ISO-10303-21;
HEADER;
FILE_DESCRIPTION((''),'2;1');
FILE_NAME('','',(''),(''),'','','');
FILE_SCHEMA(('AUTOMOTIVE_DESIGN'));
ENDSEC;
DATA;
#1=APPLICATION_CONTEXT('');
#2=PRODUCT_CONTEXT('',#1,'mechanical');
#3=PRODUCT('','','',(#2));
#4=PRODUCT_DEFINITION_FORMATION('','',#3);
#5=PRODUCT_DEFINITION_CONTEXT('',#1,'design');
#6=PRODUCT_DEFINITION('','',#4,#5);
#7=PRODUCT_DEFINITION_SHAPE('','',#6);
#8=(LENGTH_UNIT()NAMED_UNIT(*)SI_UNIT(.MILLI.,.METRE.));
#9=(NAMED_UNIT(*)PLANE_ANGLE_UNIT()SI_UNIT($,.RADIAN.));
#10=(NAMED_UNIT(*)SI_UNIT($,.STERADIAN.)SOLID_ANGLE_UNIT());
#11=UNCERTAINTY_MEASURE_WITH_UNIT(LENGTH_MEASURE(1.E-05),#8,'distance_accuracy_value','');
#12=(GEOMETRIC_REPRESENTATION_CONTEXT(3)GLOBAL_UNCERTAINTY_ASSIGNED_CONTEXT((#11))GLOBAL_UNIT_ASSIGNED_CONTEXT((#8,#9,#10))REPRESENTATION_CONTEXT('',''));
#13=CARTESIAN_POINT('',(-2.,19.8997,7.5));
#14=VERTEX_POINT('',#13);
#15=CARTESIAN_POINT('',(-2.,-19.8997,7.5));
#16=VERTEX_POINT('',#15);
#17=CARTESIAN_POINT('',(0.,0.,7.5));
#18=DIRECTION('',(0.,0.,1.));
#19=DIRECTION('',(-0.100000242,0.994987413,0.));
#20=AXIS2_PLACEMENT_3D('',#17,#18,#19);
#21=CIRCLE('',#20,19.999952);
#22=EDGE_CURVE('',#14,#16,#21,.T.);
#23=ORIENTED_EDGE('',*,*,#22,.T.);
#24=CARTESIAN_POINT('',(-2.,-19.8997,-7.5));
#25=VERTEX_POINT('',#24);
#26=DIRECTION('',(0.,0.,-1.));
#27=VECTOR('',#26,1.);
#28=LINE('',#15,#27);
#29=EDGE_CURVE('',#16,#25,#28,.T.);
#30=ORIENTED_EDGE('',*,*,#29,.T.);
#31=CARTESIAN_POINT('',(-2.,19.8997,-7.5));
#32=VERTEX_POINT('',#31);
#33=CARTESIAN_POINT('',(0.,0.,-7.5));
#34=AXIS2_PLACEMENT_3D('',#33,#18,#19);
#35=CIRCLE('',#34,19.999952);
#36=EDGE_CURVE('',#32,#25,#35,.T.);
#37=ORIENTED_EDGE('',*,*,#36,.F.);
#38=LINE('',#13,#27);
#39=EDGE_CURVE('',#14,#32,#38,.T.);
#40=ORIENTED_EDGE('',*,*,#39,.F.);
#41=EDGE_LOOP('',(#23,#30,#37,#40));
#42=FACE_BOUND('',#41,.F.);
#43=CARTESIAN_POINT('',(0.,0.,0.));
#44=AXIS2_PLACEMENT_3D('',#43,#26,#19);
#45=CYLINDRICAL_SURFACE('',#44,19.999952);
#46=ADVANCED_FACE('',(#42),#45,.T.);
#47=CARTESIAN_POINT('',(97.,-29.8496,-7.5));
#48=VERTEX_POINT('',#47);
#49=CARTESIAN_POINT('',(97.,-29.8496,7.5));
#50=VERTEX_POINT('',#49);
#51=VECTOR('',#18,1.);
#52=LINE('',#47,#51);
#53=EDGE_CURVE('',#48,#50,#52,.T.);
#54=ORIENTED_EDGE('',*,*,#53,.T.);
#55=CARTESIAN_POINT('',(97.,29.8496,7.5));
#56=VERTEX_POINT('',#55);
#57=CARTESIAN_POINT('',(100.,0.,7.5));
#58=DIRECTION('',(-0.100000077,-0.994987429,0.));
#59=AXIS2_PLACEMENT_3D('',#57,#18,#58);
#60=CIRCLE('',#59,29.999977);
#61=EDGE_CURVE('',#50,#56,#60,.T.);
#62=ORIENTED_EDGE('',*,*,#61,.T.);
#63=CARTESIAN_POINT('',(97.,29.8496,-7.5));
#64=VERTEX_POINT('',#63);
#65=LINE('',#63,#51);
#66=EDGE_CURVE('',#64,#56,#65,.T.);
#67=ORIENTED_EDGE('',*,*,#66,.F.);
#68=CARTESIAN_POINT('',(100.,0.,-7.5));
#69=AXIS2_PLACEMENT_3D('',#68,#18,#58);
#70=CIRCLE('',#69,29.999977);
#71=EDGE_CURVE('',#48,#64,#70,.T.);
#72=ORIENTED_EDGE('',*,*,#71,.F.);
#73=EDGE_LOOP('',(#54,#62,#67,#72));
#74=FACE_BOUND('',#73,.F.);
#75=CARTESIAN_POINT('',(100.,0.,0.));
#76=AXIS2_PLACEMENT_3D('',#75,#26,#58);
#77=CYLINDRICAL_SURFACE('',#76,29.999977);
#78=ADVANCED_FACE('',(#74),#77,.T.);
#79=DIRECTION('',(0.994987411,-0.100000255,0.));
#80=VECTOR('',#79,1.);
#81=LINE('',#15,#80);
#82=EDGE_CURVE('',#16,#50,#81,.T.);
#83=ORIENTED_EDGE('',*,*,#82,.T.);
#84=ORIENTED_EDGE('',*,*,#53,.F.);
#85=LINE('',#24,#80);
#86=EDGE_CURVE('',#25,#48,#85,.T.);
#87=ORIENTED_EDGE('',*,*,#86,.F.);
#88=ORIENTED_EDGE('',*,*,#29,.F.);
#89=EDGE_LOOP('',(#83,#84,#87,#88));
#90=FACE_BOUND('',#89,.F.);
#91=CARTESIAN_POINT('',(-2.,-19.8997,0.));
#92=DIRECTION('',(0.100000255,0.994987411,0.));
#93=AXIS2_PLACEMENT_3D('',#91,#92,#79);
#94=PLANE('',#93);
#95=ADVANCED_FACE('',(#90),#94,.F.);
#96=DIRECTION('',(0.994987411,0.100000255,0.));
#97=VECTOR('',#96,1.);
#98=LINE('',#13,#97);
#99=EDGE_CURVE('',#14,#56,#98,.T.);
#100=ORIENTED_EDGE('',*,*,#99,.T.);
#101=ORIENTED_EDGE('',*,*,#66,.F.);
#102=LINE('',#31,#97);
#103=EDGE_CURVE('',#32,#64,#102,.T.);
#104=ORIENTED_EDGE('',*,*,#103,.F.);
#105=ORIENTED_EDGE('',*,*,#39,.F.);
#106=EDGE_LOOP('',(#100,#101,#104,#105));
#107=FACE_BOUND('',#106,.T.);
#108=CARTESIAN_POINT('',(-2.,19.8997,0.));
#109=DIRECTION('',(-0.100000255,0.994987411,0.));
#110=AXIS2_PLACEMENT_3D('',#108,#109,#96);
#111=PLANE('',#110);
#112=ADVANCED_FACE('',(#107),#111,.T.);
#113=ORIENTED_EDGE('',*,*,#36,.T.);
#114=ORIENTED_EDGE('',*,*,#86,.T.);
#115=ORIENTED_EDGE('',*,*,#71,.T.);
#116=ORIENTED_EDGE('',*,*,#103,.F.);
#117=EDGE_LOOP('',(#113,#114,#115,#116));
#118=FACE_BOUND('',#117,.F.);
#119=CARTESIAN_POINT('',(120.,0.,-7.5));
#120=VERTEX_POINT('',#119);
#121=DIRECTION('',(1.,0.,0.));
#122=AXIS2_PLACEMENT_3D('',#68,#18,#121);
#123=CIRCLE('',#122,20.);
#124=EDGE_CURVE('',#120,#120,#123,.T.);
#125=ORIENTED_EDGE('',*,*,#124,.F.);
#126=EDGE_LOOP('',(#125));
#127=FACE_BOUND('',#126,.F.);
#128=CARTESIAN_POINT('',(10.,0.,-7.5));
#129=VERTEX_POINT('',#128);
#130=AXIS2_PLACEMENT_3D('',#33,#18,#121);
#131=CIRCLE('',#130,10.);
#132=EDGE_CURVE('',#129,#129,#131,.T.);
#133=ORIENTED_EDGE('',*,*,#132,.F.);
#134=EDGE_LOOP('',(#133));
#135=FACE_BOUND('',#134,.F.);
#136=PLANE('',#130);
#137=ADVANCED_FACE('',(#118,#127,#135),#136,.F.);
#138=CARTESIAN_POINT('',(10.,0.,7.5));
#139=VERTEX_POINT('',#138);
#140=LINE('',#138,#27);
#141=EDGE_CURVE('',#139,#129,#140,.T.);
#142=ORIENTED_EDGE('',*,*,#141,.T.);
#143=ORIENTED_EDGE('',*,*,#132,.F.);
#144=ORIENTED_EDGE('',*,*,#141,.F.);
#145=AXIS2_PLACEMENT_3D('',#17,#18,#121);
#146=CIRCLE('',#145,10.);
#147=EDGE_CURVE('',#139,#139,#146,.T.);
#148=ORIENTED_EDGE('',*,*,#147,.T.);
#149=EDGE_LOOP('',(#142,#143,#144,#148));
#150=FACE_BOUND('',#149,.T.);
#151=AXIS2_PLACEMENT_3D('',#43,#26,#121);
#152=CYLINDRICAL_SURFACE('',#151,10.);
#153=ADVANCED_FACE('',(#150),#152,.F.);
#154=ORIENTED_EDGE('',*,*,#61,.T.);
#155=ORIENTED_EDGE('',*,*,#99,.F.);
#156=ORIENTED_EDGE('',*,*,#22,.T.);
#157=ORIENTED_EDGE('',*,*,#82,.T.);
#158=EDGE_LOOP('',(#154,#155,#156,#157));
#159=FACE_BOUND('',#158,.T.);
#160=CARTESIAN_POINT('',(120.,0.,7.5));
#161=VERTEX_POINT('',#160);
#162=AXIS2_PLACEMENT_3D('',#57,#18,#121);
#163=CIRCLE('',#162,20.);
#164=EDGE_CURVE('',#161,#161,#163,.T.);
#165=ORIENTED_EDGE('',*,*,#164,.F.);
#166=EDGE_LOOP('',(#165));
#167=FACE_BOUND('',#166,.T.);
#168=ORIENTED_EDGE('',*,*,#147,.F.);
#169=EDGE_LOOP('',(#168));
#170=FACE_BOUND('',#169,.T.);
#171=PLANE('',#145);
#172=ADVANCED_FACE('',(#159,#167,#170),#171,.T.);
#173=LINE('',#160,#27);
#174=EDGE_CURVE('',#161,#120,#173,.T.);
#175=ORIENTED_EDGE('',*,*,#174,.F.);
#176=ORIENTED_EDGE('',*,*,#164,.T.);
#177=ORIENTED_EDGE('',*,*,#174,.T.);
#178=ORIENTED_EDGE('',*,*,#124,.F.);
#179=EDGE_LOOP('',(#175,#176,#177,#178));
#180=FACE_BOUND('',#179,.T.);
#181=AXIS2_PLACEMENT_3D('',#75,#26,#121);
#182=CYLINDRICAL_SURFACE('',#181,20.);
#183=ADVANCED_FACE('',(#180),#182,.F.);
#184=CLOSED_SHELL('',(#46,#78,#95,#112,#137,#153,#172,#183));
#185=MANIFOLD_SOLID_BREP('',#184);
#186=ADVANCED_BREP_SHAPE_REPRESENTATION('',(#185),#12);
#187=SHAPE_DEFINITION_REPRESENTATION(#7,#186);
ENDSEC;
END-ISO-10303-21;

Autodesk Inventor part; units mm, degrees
ref_plane "YZ Plane" through (0, 0, 0) normal (1, 0, 0) x (0, 1, 0)
ref_plane "XZ Plane" through (0, 0, 0) normal (0, 1, 0) x (-1, 0, 0)
ref_plane "XY Plane" through (0, 0, 0) normal (0, 0, 1) x (1, 0, 0)
sketch "Sketch1" plane through (0, 0, 0) normal (0, 0, 1) x (1, 0, 0)
  line L0 (0, 0) -> (100, 0) construction
  circle A0 centre (100, 0) radius 20
  arc A1 (97, -29.8496) -> (97, 29.8496) centre (100, 0) ccw
  circle A2 centre (0, 0) radius 10
  arc A3 (-2, 19.8997) -> (-2, -19.8997) centre (0, 0) ccw
  line L1 (-2, 19.8997) -> (97, 29.8496)
  line L2 (-2, -19.8997) -> (97, -29.8496)
  dimension "d0" = 100
  dimension "d1" = 20
  dimension "d2" = 60
  dimension "d3" = 40
  dimension "d4" = 40
extrude "Extrusion1" add sketch "Sketch1" along normal mid plane 15
